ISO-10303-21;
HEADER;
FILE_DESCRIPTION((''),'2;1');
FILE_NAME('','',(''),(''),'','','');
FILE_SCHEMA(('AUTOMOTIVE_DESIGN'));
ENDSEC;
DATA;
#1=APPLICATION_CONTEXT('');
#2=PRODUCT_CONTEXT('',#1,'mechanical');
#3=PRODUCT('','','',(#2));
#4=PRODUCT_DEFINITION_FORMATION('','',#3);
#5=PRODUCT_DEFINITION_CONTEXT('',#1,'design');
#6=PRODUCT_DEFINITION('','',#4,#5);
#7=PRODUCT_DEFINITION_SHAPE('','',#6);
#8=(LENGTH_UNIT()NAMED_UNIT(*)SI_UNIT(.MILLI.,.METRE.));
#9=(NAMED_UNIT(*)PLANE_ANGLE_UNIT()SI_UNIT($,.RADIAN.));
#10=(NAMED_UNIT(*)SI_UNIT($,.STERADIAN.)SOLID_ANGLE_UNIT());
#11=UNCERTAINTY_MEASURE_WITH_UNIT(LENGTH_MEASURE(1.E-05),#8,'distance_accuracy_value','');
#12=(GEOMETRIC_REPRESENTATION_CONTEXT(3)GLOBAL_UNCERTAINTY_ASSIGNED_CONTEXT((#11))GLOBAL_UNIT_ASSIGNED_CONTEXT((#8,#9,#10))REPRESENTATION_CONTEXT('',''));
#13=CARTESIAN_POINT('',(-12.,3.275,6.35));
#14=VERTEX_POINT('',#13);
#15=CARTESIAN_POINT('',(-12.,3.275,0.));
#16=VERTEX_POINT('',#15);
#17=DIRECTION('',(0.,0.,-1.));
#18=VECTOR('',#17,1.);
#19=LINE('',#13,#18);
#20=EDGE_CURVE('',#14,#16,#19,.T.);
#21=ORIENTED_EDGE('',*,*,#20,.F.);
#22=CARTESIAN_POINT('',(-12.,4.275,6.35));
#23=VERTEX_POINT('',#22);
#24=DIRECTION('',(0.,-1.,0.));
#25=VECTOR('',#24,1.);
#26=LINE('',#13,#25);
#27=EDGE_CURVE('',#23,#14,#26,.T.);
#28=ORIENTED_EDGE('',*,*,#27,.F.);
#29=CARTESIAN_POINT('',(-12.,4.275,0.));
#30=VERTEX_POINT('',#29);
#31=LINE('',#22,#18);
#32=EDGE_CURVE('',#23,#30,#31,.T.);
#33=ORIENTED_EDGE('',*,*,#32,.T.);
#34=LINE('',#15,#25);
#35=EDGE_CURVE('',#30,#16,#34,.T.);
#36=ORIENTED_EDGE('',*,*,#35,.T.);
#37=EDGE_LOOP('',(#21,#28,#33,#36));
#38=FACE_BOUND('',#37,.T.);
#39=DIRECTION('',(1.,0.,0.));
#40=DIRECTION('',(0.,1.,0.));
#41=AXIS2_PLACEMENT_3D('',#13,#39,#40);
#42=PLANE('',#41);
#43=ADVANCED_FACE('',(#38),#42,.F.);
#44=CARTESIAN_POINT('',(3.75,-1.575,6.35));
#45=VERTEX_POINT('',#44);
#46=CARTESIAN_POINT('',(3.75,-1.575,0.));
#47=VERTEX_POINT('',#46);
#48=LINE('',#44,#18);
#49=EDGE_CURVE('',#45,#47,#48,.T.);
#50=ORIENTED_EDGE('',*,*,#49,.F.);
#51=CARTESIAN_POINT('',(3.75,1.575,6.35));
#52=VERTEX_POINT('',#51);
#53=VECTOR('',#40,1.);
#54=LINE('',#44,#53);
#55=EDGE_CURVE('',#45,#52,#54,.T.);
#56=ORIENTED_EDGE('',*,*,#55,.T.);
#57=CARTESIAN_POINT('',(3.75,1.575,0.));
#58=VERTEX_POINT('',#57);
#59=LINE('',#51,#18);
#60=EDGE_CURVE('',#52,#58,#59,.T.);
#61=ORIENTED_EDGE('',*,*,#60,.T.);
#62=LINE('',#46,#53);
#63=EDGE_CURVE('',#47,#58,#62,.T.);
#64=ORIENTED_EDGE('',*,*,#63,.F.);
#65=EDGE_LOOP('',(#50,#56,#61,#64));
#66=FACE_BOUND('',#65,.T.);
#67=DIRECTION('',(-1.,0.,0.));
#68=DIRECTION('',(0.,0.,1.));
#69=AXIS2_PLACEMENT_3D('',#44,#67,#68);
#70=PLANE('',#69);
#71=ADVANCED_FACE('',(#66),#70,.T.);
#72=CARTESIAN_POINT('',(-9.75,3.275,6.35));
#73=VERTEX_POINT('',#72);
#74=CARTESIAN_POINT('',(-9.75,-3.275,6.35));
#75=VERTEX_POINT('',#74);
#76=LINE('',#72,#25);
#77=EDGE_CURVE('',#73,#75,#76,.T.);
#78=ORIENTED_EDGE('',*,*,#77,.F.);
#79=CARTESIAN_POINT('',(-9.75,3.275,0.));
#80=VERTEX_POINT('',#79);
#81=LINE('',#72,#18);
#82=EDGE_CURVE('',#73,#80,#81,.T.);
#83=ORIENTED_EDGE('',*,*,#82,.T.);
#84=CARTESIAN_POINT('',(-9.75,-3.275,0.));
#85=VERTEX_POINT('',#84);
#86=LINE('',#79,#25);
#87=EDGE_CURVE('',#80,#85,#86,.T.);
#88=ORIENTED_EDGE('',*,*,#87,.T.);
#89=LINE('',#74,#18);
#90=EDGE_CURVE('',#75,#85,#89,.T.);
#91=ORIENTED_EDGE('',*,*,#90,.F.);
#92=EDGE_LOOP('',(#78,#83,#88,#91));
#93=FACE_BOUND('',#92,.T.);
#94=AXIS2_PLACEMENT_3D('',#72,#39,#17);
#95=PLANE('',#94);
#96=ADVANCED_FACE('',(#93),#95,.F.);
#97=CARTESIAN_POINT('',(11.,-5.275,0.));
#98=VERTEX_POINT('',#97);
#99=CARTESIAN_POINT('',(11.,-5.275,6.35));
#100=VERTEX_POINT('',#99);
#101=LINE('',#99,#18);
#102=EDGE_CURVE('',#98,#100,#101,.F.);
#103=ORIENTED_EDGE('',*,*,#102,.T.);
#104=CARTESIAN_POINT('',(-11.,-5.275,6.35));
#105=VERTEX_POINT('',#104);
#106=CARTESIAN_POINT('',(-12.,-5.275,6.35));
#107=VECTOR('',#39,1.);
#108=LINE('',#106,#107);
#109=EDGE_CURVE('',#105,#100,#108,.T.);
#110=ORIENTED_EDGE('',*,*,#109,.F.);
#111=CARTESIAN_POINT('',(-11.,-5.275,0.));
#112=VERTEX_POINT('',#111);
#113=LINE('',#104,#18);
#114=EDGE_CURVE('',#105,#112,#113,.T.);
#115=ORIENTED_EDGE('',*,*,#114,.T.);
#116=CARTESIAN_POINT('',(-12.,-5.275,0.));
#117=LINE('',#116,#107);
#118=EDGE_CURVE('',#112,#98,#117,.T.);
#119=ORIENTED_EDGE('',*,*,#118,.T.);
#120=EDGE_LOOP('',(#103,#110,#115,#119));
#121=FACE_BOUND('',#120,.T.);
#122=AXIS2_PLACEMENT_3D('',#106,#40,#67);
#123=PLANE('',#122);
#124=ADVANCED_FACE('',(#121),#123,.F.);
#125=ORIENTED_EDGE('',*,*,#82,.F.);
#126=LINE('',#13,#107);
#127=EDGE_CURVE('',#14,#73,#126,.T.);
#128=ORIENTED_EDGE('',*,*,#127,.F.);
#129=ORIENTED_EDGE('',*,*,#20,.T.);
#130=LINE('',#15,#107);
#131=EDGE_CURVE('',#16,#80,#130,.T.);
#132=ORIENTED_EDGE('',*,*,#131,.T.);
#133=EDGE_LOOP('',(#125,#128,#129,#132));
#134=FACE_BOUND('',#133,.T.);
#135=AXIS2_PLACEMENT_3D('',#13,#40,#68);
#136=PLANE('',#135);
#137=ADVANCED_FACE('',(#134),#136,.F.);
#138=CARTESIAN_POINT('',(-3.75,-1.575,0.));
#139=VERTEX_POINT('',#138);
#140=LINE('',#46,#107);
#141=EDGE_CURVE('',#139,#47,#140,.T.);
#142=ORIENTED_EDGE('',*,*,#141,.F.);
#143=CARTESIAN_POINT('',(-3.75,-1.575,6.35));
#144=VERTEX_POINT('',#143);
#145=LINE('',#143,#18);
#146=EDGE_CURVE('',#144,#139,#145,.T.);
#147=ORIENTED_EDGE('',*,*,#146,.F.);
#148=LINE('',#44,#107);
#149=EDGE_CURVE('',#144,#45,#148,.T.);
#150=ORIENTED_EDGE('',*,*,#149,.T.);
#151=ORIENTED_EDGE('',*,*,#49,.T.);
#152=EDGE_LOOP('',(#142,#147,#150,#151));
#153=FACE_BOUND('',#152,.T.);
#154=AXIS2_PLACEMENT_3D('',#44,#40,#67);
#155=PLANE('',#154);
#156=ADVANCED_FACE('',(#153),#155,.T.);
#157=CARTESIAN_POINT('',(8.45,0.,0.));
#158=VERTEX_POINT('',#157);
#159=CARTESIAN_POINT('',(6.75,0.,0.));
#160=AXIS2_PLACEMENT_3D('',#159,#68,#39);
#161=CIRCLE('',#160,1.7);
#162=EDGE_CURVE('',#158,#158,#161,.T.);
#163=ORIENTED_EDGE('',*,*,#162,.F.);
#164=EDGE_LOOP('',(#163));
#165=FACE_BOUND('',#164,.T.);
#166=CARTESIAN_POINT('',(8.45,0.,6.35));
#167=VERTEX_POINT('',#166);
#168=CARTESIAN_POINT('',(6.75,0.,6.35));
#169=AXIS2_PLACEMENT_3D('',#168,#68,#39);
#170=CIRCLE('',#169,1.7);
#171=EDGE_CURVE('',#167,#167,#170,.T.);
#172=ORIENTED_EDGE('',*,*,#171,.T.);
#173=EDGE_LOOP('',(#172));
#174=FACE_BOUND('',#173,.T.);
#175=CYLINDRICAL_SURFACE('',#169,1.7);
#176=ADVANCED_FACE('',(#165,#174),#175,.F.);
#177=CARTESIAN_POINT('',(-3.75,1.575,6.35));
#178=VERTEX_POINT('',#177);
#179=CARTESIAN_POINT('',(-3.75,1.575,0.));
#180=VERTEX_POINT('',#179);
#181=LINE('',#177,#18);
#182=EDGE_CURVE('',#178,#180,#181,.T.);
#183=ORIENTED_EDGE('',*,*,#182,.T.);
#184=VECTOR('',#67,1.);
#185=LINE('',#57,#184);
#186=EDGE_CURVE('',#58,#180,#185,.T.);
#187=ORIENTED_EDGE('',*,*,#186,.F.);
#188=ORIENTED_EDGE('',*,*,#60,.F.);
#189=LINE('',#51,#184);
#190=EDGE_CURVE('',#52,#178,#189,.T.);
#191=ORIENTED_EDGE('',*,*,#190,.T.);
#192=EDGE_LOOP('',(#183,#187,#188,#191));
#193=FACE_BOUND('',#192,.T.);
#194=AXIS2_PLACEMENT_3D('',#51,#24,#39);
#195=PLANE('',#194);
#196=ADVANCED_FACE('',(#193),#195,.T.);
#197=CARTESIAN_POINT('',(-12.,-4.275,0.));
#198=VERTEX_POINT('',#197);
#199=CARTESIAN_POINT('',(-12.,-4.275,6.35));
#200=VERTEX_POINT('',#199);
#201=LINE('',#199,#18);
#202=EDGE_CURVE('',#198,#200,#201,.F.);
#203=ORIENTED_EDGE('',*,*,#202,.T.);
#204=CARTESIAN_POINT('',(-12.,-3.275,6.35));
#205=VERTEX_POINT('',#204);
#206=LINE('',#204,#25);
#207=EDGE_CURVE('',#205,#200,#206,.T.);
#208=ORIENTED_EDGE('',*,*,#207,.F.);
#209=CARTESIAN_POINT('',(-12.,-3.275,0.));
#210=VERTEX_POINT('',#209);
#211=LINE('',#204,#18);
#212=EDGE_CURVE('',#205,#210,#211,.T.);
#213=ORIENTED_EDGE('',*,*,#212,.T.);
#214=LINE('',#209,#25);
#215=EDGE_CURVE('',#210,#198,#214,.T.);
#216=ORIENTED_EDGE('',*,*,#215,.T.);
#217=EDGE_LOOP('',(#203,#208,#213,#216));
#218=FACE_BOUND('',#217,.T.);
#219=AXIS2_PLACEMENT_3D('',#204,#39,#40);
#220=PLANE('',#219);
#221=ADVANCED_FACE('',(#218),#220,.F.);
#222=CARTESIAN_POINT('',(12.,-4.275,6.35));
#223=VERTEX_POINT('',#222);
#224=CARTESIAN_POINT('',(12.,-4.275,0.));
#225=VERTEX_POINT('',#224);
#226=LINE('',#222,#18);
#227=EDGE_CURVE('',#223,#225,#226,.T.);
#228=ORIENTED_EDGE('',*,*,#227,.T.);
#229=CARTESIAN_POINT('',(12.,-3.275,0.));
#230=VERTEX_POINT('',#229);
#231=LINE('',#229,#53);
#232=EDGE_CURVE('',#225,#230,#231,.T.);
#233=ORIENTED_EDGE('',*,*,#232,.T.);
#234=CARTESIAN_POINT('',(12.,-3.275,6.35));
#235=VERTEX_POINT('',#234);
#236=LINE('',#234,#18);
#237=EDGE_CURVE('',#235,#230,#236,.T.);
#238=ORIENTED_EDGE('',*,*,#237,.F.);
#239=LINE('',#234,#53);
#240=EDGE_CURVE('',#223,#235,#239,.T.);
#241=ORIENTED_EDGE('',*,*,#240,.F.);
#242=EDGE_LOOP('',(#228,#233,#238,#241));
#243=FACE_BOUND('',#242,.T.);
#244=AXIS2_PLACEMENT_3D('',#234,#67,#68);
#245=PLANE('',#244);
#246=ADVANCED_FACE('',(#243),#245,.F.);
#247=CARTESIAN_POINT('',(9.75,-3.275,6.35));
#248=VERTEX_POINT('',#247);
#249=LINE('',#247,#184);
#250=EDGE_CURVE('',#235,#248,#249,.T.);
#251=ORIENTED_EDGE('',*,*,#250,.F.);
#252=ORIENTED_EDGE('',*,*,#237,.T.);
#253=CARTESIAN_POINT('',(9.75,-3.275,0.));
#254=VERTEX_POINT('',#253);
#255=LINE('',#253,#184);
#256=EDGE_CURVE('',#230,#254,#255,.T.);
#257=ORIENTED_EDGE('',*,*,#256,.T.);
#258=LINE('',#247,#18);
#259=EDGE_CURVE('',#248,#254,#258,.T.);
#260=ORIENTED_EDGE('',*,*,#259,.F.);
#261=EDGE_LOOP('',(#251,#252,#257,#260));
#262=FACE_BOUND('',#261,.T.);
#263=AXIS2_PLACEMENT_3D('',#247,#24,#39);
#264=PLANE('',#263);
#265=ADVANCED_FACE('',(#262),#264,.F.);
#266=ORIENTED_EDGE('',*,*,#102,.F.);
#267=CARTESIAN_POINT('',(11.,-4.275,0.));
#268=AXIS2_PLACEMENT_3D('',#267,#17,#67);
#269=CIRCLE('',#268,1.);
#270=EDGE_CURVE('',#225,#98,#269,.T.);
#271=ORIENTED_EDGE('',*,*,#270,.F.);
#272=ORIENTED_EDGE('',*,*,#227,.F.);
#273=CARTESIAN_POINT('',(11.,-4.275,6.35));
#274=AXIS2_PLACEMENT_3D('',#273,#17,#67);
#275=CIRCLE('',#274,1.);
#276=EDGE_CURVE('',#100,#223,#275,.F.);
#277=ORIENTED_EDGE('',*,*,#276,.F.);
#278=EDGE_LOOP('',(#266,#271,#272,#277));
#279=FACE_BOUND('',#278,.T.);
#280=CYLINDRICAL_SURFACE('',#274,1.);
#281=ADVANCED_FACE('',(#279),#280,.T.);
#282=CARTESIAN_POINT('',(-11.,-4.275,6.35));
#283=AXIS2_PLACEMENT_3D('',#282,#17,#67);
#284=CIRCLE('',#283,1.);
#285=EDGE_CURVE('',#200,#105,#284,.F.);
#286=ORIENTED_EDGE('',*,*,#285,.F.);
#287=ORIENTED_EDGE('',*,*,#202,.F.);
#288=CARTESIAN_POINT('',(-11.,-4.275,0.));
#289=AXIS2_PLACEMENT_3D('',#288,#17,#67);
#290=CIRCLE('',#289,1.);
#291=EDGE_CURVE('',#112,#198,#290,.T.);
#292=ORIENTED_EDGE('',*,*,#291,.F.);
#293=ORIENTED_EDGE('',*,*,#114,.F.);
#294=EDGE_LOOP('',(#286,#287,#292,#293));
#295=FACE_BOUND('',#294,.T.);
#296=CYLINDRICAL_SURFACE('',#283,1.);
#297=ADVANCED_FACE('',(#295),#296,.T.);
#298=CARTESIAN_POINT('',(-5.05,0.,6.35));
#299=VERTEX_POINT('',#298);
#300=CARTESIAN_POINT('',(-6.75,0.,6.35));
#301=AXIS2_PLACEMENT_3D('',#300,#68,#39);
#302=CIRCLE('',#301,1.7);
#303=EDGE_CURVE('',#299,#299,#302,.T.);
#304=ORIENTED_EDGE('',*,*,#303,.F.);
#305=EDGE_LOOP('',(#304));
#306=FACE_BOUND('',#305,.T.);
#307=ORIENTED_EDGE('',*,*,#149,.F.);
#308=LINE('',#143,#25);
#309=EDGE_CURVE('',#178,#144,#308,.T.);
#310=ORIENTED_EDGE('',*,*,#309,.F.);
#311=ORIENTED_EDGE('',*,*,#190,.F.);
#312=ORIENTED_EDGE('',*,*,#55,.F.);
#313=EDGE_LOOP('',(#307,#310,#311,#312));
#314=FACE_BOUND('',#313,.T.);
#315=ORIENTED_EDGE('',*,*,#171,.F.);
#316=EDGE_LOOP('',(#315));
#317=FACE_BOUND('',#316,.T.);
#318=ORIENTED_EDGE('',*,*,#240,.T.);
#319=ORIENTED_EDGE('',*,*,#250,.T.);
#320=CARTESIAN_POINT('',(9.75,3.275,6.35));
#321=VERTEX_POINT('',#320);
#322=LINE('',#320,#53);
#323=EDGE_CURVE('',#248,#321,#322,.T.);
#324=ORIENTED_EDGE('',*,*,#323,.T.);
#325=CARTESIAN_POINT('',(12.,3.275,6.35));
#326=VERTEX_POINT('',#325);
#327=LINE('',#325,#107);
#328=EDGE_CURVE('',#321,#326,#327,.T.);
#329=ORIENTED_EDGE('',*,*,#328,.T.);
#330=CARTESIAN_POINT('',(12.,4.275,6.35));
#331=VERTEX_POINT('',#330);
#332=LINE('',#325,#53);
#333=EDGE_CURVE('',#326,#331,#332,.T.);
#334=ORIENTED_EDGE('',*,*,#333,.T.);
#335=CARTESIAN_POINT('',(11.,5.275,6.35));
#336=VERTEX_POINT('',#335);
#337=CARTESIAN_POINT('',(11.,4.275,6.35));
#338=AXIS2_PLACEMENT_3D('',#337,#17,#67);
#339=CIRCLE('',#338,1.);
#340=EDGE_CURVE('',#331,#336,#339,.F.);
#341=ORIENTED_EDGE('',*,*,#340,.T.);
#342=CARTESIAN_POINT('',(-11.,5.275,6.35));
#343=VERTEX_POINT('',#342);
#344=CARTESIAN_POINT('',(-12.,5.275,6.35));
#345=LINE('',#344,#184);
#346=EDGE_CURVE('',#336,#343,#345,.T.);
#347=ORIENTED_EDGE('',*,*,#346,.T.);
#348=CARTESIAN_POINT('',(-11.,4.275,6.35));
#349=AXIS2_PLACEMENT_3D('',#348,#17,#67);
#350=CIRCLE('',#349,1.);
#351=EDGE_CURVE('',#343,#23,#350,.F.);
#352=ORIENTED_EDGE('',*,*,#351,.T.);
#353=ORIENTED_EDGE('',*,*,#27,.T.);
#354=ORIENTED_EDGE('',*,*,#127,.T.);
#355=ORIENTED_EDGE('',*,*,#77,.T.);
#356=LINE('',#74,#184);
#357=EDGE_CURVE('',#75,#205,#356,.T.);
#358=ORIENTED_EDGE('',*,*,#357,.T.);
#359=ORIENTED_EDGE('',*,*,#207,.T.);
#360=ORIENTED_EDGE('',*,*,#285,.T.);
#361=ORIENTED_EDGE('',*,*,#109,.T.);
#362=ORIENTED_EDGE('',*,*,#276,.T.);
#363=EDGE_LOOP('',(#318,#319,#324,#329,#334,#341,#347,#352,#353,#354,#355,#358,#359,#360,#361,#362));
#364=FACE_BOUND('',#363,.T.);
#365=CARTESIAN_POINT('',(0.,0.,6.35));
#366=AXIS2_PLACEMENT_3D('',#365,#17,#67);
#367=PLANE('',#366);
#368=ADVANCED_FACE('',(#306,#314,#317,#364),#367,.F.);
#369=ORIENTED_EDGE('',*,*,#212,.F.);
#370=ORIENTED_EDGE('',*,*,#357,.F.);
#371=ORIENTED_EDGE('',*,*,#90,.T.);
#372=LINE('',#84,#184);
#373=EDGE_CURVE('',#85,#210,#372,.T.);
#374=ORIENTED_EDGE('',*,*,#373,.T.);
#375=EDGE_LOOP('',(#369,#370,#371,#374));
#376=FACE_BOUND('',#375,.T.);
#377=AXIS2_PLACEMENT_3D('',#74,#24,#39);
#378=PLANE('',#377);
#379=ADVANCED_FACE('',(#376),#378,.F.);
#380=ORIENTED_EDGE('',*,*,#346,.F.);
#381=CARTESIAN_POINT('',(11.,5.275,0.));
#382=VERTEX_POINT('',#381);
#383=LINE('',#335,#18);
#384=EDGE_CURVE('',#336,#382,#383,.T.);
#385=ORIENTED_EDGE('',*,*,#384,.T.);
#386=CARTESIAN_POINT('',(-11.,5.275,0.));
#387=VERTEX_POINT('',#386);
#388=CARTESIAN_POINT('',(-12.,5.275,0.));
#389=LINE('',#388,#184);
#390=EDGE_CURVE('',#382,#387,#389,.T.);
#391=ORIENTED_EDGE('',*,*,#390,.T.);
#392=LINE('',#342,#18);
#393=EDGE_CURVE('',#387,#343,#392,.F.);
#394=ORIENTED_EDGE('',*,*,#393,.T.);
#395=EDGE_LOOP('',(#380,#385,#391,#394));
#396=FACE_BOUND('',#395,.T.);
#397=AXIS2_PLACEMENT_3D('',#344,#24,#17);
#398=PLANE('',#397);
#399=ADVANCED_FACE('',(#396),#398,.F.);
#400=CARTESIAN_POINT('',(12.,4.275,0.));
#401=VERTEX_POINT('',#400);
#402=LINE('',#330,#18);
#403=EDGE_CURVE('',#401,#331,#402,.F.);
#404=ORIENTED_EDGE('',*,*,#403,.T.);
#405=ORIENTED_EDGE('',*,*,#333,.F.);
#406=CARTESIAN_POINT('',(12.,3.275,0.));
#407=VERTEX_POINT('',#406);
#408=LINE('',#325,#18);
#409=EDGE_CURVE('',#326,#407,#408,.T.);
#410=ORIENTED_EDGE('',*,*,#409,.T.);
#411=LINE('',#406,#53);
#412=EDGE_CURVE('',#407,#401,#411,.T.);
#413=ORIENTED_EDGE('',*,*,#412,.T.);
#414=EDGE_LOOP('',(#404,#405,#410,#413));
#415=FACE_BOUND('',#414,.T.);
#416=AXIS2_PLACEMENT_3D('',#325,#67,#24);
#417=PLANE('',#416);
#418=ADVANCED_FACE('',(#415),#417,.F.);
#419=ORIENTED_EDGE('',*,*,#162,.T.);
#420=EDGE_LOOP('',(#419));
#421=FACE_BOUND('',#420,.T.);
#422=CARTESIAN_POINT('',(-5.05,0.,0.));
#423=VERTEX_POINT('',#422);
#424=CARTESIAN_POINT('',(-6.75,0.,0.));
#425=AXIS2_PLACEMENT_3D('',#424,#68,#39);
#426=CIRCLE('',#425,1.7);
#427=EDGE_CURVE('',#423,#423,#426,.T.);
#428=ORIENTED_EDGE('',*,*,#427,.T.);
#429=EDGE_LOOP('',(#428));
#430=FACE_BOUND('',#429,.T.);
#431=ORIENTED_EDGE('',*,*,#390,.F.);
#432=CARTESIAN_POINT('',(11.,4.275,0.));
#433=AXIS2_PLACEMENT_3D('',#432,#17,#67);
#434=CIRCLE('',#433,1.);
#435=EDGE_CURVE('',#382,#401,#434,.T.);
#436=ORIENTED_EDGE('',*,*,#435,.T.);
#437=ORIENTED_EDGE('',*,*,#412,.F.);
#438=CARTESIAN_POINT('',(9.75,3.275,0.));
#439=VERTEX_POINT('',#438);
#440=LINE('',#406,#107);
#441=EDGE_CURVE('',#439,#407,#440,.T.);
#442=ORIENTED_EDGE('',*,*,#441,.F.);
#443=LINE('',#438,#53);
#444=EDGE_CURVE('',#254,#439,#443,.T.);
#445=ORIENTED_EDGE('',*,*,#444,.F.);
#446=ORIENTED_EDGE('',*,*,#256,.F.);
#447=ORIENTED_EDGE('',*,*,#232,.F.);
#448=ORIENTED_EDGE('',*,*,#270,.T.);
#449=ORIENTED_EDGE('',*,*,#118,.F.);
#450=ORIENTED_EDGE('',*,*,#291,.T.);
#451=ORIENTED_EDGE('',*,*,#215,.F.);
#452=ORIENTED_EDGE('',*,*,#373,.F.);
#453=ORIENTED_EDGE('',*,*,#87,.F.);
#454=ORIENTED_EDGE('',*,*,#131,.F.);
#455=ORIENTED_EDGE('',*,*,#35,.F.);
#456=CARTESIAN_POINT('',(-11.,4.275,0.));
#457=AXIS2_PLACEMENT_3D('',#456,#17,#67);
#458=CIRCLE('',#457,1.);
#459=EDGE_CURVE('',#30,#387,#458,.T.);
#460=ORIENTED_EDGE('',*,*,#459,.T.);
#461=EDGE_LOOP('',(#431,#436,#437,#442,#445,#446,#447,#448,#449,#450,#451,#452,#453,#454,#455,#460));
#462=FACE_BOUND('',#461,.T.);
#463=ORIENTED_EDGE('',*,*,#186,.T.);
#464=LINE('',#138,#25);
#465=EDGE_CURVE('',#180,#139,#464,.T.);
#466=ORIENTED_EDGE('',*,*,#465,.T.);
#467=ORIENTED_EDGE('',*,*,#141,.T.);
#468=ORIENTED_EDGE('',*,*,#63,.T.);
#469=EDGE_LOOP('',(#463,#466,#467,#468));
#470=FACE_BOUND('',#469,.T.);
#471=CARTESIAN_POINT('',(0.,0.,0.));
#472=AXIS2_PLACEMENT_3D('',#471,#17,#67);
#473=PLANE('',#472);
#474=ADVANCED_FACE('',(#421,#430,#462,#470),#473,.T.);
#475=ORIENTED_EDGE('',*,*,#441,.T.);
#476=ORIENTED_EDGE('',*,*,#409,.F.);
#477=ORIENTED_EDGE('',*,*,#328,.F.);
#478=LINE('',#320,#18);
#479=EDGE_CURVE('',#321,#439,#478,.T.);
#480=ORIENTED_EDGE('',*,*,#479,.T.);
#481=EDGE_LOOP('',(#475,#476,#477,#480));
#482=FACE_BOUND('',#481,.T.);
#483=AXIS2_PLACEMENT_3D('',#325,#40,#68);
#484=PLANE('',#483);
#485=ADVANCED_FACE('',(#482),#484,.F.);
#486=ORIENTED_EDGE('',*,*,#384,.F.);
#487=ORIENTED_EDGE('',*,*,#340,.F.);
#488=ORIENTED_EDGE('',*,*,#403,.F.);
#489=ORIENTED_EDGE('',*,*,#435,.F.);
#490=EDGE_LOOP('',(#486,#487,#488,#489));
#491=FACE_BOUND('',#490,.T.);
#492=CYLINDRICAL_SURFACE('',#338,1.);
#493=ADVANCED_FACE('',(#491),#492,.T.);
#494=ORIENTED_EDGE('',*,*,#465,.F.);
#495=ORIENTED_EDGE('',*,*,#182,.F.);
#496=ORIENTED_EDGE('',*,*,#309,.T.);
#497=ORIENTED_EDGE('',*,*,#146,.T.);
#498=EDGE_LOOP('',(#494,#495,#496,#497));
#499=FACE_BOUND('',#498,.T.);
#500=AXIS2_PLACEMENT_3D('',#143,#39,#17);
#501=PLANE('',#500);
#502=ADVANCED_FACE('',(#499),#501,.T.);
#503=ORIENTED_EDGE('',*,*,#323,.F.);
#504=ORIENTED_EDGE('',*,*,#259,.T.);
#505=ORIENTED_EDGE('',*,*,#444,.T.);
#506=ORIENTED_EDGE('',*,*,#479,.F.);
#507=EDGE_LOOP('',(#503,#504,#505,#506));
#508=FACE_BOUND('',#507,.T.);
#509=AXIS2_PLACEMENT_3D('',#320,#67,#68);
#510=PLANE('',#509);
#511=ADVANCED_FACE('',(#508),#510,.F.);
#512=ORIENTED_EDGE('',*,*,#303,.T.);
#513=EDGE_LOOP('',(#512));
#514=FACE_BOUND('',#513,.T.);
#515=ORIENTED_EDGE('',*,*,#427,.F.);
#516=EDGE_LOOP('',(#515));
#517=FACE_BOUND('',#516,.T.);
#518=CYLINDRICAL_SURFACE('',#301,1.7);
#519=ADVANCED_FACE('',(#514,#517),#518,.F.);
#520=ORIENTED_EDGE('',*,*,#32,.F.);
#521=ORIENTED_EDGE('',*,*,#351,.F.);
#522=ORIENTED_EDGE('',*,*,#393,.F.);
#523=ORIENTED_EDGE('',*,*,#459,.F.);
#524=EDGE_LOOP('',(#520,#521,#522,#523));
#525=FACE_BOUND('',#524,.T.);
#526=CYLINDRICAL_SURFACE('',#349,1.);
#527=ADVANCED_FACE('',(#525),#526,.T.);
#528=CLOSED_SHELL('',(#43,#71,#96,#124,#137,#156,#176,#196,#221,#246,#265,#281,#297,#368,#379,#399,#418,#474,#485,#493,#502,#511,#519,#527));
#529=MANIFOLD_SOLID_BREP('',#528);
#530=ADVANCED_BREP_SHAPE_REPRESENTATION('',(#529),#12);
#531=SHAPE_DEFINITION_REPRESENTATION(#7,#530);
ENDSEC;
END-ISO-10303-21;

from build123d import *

# Parameters (mm, degrees)
SKETCH1_W            = 7.5
SKETCH1_H            = 3.15
BOSS_EXTRUDE1_DEPTH  = 6.35
M3_CLEARANCE_HOLE1_D = 3.4
FILLET1_R            = 1


with BuildPart() as part:
    # Sketch1 → Boss-Extrude1 (new body)
    with BuildSketch(Plane.XY):
        Polygon((-12, 3.275), (-9.75, 3.275), (-9.75, -3.275), (-12, -3.275), (-12, -5.275), (12, -5.275), (12, -3.275), (9.75, -3.275), (9.75, 3.275), (12, 3.275), (12, 5.275), (-12, 5.275), align=None)
        Rectangle(SKETCH1_W, SKETCH1_H, mode=Mode.SUBTRACT)
    extrude(amount=BOSS_EXTRUDE1_DEPTH)

    # M3 Clearance Hole1 (through all)
    with Locations(Plane.XY.offset(6.35)):
        with Locations((-6.75, 0), (6.75, 0)):
            Hole(M3_CLEARANCE_HOLE1_D / 2)

    # Fillet1
    fillet1_edges = [part.edges().sort_by_distance(p)[0] for p in [
        (-12, 5.275, 3.175),
        (12, 5.275, 3.175),
        (12, -5.275, 3.175),
        (-12, -5.275, 3.175),
    ]]
    fillet(fillet1_edges, radius=FILLET1_R)


solid = part.part
